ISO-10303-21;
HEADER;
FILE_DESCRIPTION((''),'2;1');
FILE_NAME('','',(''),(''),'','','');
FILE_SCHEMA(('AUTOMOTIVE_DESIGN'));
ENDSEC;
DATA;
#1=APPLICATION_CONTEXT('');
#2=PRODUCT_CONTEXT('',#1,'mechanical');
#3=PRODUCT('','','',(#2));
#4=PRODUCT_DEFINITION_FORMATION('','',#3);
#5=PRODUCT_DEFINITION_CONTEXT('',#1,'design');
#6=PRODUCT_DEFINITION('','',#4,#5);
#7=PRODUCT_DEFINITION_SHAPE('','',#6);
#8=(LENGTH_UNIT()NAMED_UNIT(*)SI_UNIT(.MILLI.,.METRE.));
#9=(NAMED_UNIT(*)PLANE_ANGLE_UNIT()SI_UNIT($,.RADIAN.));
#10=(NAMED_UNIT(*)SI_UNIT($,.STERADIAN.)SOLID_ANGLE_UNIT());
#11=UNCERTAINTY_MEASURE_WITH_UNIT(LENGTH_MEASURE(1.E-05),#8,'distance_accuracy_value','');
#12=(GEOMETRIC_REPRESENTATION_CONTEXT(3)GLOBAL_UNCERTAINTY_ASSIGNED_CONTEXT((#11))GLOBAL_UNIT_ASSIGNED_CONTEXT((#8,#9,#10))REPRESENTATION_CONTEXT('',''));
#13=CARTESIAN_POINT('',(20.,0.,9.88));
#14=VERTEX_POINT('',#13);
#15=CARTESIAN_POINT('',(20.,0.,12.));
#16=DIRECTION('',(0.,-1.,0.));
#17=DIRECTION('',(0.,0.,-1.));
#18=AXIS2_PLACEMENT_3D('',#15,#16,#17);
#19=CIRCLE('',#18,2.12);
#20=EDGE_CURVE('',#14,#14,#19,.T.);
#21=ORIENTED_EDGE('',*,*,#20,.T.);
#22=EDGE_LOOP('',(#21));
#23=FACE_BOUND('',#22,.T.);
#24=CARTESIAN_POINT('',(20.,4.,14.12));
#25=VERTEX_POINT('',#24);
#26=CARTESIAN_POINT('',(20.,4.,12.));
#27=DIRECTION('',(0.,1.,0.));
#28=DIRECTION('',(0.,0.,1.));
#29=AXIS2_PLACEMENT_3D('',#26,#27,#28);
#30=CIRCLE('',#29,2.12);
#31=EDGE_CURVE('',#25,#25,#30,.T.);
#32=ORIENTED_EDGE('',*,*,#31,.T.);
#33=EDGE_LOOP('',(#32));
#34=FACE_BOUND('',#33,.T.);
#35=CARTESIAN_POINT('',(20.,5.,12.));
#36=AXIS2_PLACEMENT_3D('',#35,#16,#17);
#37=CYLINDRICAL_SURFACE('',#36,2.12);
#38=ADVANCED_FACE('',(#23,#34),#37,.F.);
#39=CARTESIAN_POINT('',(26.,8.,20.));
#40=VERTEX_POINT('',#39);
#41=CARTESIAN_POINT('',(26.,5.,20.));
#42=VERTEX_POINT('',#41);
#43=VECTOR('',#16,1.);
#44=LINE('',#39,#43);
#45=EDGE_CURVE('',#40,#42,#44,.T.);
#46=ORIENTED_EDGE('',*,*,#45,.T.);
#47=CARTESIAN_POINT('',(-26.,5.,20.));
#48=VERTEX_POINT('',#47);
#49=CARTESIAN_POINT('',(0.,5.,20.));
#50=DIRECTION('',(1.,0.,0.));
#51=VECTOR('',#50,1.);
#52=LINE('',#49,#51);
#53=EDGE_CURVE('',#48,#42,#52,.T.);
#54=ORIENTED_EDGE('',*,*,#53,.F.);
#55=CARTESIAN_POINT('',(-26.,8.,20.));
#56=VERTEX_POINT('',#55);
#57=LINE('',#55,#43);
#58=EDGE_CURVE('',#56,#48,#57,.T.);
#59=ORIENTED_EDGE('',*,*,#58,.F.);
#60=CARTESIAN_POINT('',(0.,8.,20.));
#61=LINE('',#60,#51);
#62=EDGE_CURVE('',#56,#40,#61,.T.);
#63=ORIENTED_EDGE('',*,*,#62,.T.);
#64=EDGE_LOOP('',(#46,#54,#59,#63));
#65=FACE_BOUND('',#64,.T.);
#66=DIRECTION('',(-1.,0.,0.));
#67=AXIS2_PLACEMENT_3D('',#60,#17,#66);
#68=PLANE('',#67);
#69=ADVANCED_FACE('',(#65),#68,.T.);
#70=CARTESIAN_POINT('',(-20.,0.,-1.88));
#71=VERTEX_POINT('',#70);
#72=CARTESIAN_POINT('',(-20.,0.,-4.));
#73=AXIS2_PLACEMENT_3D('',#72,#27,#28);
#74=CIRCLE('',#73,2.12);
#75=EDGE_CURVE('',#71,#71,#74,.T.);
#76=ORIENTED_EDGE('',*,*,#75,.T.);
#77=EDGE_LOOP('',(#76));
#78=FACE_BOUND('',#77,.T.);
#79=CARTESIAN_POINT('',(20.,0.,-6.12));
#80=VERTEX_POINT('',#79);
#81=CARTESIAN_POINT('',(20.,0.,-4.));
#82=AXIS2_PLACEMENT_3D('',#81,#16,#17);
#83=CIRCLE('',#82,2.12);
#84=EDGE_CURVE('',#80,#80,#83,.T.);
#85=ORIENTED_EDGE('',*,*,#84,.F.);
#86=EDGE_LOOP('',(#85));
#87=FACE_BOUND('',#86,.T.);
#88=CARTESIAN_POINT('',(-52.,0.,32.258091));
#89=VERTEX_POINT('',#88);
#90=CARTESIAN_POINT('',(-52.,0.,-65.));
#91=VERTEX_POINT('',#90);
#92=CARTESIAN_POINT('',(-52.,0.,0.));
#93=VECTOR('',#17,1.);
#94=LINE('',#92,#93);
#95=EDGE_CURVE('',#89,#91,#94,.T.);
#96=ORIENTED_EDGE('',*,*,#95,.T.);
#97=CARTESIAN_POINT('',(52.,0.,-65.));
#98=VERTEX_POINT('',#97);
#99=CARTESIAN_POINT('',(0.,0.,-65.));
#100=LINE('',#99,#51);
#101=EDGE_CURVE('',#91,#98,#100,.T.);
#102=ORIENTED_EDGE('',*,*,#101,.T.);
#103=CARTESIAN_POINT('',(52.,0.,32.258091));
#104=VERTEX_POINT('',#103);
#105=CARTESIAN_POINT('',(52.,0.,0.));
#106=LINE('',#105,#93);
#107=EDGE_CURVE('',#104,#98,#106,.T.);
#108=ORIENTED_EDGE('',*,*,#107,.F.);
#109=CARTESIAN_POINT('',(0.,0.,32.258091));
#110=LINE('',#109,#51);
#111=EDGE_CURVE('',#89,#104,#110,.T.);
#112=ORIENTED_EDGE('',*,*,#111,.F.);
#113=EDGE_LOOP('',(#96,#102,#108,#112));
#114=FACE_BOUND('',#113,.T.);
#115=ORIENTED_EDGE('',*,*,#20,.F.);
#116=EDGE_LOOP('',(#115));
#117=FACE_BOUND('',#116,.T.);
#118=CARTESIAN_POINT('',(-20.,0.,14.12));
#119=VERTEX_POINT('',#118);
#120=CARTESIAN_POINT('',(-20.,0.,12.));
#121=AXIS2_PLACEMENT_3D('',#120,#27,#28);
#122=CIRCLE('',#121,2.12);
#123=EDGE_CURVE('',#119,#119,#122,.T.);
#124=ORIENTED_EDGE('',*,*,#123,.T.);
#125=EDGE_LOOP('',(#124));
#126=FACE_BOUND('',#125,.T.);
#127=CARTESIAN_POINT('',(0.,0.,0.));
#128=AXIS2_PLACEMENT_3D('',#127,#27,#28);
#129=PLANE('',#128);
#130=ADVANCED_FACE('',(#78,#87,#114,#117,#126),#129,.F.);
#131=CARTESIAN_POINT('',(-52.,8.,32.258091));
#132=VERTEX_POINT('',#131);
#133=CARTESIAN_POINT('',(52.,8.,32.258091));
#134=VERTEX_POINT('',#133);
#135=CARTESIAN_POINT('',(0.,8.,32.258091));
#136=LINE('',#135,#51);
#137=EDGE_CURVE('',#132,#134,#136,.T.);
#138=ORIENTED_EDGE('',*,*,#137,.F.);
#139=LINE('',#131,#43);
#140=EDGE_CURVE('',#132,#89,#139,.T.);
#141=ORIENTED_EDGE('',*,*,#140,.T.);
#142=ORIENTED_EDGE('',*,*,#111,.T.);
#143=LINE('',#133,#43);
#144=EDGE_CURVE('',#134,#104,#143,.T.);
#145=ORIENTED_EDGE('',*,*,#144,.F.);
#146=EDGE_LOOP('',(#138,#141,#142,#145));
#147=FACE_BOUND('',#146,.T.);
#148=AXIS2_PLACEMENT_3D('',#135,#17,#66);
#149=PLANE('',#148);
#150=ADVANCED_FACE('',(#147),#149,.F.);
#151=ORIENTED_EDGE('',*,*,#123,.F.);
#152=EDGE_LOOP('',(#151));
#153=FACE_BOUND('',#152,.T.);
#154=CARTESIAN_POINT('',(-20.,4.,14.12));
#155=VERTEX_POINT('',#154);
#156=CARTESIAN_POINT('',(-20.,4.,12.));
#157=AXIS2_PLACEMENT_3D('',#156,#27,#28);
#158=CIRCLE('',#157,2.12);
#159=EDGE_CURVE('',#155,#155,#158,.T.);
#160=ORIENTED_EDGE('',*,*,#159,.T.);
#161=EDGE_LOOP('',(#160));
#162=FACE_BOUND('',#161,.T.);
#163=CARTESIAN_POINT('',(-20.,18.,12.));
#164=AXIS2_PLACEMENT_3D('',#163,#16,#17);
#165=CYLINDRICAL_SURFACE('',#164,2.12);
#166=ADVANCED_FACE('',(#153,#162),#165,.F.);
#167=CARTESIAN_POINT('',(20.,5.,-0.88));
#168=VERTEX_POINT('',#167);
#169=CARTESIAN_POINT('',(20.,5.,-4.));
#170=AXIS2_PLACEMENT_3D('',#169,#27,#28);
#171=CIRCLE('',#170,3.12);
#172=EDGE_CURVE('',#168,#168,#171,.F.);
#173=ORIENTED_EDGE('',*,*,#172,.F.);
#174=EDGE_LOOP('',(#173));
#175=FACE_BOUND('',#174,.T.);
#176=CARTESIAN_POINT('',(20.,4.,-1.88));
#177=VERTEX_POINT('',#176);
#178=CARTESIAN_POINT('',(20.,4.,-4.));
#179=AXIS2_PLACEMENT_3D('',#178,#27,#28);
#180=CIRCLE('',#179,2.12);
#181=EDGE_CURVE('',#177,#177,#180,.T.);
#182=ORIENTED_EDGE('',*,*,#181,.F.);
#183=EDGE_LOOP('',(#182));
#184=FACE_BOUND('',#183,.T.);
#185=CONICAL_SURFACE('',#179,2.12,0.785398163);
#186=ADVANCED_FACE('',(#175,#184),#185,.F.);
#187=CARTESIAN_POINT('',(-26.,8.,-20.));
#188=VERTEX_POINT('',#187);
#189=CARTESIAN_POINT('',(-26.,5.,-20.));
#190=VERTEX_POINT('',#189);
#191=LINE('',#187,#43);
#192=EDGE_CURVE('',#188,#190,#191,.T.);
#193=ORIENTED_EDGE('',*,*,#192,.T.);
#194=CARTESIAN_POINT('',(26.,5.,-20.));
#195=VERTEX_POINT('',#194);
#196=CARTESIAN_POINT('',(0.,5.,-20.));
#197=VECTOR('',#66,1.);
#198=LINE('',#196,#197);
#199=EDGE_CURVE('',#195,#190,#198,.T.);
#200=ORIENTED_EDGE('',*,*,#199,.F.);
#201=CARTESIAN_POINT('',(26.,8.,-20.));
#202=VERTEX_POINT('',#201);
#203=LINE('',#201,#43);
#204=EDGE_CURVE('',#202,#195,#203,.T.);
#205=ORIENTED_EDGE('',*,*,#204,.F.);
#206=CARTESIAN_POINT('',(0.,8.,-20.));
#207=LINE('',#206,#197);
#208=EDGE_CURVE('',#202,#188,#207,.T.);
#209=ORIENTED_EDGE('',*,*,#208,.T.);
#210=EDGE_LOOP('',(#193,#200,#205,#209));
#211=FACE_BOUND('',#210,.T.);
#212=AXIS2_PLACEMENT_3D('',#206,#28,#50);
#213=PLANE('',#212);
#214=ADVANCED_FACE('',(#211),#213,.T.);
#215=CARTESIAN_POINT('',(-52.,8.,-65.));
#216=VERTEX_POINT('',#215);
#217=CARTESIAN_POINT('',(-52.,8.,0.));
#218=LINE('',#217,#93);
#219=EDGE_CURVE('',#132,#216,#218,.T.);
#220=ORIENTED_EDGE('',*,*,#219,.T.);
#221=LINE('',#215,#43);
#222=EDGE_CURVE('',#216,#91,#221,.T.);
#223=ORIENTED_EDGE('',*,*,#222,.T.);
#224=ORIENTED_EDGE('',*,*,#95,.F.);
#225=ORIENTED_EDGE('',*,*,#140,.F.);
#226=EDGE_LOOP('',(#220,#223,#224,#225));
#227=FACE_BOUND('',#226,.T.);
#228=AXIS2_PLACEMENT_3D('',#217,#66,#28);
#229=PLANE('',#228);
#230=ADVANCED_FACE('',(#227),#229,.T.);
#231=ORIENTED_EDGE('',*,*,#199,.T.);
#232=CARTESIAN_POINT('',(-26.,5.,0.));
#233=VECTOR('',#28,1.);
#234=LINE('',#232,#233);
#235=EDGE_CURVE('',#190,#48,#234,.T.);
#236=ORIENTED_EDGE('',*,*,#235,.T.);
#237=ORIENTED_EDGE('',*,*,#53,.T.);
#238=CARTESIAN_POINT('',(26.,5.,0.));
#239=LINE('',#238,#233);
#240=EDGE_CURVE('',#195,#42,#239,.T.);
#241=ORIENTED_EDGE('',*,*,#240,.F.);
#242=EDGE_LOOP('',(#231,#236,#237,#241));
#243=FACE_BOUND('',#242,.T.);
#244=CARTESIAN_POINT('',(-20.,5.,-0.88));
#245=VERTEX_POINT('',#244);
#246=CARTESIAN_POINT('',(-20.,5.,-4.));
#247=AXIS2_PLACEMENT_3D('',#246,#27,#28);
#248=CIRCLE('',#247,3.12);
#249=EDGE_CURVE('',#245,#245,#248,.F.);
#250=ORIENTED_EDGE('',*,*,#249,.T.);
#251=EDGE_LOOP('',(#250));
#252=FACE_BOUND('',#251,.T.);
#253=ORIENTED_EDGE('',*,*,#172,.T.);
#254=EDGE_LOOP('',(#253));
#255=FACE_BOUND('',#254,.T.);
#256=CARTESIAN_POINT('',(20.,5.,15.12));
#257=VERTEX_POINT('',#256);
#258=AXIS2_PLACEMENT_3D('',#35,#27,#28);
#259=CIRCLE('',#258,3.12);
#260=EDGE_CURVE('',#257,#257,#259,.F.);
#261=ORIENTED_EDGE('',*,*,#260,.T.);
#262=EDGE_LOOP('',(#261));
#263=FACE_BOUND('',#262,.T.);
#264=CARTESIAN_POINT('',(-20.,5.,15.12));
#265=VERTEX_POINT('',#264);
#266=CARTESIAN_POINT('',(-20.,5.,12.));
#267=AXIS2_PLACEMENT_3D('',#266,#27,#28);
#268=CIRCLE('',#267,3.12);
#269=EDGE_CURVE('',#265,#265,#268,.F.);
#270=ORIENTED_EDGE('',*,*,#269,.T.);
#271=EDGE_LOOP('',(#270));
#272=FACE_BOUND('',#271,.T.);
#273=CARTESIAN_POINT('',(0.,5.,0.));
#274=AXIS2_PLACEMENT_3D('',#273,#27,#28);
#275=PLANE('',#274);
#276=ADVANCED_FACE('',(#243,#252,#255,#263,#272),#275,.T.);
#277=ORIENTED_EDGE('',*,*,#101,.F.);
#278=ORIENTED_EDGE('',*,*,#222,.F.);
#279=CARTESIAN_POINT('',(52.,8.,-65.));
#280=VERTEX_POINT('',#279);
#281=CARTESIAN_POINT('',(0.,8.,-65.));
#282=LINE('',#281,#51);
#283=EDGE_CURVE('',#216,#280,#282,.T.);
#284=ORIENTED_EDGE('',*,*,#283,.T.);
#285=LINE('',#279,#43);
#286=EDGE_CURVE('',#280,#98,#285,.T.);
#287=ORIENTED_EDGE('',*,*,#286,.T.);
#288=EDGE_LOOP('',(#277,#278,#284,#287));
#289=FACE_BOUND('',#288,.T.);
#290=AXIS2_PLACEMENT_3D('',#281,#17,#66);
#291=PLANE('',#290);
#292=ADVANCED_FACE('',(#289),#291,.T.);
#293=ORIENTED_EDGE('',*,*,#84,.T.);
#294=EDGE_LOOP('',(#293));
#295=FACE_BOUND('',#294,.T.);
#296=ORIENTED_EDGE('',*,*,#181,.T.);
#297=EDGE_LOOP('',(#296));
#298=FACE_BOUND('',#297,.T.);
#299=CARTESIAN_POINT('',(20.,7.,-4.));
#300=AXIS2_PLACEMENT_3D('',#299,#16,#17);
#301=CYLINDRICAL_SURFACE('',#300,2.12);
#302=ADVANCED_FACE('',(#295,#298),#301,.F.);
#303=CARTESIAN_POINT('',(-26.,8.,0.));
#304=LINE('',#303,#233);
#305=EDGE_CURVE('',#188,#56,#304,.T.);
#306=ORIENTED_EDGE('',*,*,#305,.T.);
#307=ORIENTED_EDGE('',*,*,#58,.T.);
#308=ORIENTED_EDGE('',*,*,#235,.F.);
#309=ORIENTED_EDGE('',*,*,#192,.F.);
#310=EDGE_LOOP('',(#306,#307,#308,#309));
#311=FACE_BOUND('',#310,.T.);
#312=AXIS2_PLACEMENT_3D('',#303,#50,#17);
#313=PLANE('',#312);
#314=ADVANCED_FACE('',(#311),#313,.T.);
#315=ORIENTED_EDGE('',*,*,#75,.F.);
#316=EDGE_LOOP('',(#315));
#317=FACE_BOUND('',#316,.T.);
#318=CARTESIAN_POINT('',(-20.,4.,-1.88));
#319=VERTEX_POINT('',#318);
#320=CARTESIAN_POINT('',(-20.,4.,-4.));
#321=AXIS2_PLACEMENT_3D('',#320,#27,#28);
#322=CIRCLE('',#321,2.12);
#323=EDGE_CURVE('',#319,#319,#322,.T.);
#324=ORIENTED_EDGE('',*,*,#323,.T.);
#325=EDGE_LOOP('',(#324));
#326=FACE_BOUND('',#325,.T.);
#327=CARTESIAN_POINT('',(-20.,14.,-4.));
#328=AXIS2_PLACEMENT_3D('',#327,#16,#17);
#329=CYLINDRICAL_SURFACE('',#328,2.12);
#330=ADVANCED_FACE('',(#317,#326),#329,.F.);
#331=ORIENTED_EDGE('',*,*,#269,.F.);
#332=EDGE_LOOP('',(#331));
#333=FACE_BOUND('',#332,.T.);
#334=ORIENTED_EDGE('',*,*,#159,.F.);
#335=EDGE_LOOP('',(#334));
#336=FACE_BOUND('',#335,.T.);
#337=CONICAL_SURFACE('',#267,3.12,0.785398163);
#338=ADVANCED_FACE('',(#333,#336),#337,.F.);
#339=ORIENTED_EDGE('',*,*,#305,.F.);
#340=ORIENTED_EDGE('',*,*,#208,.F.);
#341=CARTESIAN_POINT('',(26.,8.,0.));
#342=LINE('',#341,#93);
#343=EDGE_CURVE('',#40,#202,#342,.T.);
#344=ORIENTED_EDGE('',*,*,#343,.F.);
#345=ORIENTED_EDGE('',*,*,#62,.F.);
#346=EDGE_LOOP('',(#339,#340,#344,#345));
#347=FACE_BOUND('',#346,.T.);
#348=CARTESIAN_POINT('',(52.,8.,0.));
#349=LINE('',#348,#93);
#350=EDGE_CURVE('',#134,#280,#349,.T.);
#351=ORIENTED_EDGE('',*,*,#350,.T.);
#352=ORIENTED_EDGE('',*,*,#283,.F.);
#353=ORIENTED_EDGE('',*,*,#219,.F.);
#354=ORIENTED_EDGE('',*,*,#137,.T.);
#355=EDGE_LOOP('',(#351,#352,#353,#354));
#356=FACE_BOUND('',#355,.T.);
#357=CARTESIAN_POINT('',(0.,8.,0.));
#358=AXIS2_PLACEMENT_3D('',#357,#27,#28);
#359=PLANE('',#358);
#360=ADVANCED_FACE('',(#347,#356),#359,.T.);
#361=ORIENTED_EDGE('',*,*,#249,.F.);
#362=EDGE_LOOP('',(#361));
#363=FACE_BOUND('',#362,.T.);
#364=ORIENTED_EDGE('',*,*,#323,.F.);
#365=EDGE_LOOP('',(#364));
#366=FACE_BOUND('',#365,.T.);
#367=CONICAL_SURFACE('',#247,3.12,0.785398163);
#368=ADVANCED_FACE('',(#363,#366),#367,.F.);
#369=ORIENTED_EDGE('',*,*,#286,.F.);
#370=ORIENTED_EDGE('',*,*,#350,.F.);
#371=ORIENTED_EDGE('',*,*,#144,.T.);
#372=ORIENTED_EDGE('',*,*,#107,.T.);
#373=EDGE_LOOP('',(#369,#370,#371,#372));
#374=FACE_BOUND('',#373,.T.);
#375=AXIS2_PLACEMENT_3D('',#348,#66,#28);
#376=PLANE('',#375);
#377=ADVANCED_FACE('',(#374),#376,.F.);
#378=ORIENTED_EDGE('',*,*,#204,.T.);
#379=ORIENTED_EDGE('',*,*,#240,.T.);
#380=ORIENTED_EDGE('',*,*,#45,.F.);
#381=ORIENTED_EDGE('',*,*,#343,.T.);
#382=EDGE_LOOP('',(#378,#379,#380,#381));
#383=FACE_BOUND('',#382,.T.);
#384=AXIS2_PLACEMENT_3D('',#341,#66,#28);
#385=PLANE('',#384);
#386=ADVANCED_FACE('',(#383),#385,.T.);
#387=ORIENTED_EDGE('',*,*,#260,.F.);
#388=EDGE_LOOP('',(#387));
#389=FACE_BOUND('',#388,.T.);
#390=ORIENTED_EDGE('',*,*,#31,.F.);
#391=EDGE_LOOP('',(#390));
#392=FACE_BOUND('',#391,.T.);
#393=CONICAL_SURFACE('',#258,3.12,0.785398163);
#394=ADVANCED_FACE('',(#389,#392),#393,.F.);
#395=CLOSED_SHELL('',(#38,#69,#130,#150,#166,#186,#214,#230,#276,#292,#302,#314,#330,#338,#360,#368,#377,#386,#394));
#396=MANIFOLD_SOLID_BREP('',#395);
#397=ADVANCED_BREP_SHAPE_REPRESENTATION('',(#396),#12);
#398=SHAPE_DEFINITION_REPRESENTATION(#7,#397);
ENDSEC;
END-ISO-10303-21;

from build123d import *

# Parameters (mm, degrees)
SKETCH1_W            = 52
SKETCH1_H            = 40
SKETCH1_R            = 2.75
BOSS_EXTRUDE10_DEPTH = 5
SKETCH1_21_R         = 2.75
BOSS_EXTRUDE13_DEPTH = 5
SKETCH1_22_R         = 2.12
CUT_EXTRUDE4_DEPTH   = 7
CHAMFER1_SIZE        = 1
SKETCH1_23_R         = 2.75
BOSS_EXTRUDE14_DEPTH = 5
SKETCH1_24_R         = 2.12
CUT_EXTRUDE6_DEPTH   = 5
SKETCH1_25_R         = 2.75
BOSS_EXTRUDE15_DEPTH = 5
SKETCH1_26_R         = 2.12
CUT_EXTRUDE7_DEPTH   = 18
SKETCH1_29_R         = 2.75
BOSS_EXTRUDE17_DEPTH = 5
SKETCH1_30_R         = 2.12
CUT_EXTRUDE9_DEPTH   = 14
CHAMFER3_SIZE        = 1
CHAMFER4_SIZE        = 1
CHAMFER5_SIZE        = 1
SKETCH5_W            = 104
SKETCH5_H            = 97.258090947
BOSS_EXTRUDE19_DEPTH = 8


with BuildPart() as part:
    # Sketch1 → Boss-Extrude10 (new body)
    with BuildSketch(Plane(origin=(0, 0, 0), x_dir=(1, 0, 0), z_dir=(0, 1, 0))):
        Rectangle(SKETCH1_W, SKETCH1_H)
        with Locations((-20, -12)):
            Circle(SKETCH1_R, mode=Mode.SUBTRACT)
        with Locations((20, -12)):
            Circle(SKETCH1_R, mode=Mode.SUBTRACT)
        with Locations((-20, 4)):
            Circle(SKETCH1_R, mode=Mode.SUBTRACT)
        with Locations((20, 4)):
            Circle(SKETCH1_R, mode=Mode.SUBTRACT)
    extrude(amount=BOSS_EXTRUDE10_DEPTH)

    # Sketch1<21> → Boss-Extrude13 (add)
    with BuildSketch(Plane(origin=(0, 0, 0), x_dir=(1, 0, 0), z_dir=(0, 1, 0))):
        with Locations((20, 4)):
            Circle(SKETCH1_21_R)
    extrude(amount=BOSS_EXTRUDE13_DEPTH)

    # Sketch1<22> → Cut-Extrude4 (cut)
    with BuildSketch(Plane(origin=(0, 0, 0), x_dir=(1, 0, 0), z_dir=(0, 1, 0))):
        with Locations((20, 4)):
            Circle(SKETCH1_22_R)
    extrude(amount=CUT_EXTRUDE4_DEPTH, mode=Mode.SUBTRACT)

    # Chamfer1
    chamfer1_edges = [part.edges().sort_by_distance(p)[0] for p in [
        (17.88, 5, -4),
    ]]
    chamfer(chamfer1_edges, length=CHAMFER1_SIZE)

    # Sketch1<23> → Boss-Extrude14 (add)
    with BuildSketch(Plane(origin=(0, 0, 0), x_dir=(1, 0, 0), z_dir=(0, 1, 0))):
        with Locations((20, -12)):
            Circle(SKETCH1_23_R)
    extrude(amount=BOSS_EXTRUDE14_DEPTH)

    # Sketch1<24> → Cut-Extrude6 (cut)
    with BuildSketch(Plane(origin=(0, 0, 0), x_dir=(1, 0, 0), z_dir=(0, 1, 0))):
        with Locations((20, -12)):
            Circle(SKETCH1_24_R)
    extrude(amount=CUT_EXTRUDE6_DEPTH, mode=Mode.SUBTRACT)

    # Sketch1<25> → Boss-Extrude15 (add)
    with BuildSketch(Plane(origin=(0, 0, 0), x_dir=(1, 0, 0), z_dir=(0, 1, 0))):
        with Locations((-20, -12)):
            Circle(SKETCH1_25_R)
    extrude(amount=BOSS_EXTRUDE15_DEPTH)

    # Sketch1<26> → Cut-Extrude7 (cut)
    with BuildSketch(Plane(origin=(0, 0, 0), x_dir=(1, 0, 0), z_dir=(0, 1, 0))):
        with Locations((-20, -12)):
            Circle(SKETCH1_26_R)
    extrude(amount=CUT_EXTRUDE7_DEPTH, mode=Mode.SUBTRACT)

    # Sketch1<29> → Boss-Extrude17 (add)
    with BuildSketch(Plane(origin=(0, 0, 0), x_dir=(1, 0, 0), z_dir=(0, 1, 0))):
        with Locations((-20, 4)):
            Circle(SKETCH1_29_R)
    extrude(amount=BOSS_EXTRUDE17_DEPTH)

    # Sketch1<30> → Cut-Extrude9 (cut)
    with BuildSketch(Plane(origin=(0, 0, 0), x_dir=(1, 0, 0), z_dir=(0, 1, 0))):
        with Locations((-20, 4)):
            Circle(SKETCH1_30_R)
    extrude(amount=CUT_EXTRUDE9_DEPTH, mode=Mode.SUBTRACT)

    # Chamfer3
    chamfer3_edges = [part.edges().sort_by_distance(p)[0] for p in [
        (-22.12, 5, -4),
    ]]
    chamfer(chamfer3_edges, length=CHAMFER3_SIZE)

    # Chamfer4
    chamfer4_edges = [part.edges().sort_by_distance(p)[0] for p in [
        (-22.12, 5, 12),
    ]]
    chamfer(chamfer4_edges, length=CHAMFER4_SIZE)

    # Chamfer5
    chamfer5_edges = [part.edges().sort_by_distance(p)[0] for p in [
        (17.88, 5, 12),
    ]]
    chamfer(chamfer5_edges, length=CHAMFER5_SIZE)

    # Sketch5 → Boss-Extrude19 (add)
    with BuildSketch(Plane(origin=(0, 0, 0), x_dir=(1, 0, 0), z_dir=(0, 1, 0))):
        with Locations((0, 16.370954527)):
            Rectangle(SKETCH5_W, SKETCH5_H)
        Polygon((26, -20), (-26, -20), (-26, 20), (0, 20), (26, 20), align=None, mode=Mode.SUBTRACT)
    extrude(amount=BOSS_EXTRUDE19_DEPTH)


solid = part.part
